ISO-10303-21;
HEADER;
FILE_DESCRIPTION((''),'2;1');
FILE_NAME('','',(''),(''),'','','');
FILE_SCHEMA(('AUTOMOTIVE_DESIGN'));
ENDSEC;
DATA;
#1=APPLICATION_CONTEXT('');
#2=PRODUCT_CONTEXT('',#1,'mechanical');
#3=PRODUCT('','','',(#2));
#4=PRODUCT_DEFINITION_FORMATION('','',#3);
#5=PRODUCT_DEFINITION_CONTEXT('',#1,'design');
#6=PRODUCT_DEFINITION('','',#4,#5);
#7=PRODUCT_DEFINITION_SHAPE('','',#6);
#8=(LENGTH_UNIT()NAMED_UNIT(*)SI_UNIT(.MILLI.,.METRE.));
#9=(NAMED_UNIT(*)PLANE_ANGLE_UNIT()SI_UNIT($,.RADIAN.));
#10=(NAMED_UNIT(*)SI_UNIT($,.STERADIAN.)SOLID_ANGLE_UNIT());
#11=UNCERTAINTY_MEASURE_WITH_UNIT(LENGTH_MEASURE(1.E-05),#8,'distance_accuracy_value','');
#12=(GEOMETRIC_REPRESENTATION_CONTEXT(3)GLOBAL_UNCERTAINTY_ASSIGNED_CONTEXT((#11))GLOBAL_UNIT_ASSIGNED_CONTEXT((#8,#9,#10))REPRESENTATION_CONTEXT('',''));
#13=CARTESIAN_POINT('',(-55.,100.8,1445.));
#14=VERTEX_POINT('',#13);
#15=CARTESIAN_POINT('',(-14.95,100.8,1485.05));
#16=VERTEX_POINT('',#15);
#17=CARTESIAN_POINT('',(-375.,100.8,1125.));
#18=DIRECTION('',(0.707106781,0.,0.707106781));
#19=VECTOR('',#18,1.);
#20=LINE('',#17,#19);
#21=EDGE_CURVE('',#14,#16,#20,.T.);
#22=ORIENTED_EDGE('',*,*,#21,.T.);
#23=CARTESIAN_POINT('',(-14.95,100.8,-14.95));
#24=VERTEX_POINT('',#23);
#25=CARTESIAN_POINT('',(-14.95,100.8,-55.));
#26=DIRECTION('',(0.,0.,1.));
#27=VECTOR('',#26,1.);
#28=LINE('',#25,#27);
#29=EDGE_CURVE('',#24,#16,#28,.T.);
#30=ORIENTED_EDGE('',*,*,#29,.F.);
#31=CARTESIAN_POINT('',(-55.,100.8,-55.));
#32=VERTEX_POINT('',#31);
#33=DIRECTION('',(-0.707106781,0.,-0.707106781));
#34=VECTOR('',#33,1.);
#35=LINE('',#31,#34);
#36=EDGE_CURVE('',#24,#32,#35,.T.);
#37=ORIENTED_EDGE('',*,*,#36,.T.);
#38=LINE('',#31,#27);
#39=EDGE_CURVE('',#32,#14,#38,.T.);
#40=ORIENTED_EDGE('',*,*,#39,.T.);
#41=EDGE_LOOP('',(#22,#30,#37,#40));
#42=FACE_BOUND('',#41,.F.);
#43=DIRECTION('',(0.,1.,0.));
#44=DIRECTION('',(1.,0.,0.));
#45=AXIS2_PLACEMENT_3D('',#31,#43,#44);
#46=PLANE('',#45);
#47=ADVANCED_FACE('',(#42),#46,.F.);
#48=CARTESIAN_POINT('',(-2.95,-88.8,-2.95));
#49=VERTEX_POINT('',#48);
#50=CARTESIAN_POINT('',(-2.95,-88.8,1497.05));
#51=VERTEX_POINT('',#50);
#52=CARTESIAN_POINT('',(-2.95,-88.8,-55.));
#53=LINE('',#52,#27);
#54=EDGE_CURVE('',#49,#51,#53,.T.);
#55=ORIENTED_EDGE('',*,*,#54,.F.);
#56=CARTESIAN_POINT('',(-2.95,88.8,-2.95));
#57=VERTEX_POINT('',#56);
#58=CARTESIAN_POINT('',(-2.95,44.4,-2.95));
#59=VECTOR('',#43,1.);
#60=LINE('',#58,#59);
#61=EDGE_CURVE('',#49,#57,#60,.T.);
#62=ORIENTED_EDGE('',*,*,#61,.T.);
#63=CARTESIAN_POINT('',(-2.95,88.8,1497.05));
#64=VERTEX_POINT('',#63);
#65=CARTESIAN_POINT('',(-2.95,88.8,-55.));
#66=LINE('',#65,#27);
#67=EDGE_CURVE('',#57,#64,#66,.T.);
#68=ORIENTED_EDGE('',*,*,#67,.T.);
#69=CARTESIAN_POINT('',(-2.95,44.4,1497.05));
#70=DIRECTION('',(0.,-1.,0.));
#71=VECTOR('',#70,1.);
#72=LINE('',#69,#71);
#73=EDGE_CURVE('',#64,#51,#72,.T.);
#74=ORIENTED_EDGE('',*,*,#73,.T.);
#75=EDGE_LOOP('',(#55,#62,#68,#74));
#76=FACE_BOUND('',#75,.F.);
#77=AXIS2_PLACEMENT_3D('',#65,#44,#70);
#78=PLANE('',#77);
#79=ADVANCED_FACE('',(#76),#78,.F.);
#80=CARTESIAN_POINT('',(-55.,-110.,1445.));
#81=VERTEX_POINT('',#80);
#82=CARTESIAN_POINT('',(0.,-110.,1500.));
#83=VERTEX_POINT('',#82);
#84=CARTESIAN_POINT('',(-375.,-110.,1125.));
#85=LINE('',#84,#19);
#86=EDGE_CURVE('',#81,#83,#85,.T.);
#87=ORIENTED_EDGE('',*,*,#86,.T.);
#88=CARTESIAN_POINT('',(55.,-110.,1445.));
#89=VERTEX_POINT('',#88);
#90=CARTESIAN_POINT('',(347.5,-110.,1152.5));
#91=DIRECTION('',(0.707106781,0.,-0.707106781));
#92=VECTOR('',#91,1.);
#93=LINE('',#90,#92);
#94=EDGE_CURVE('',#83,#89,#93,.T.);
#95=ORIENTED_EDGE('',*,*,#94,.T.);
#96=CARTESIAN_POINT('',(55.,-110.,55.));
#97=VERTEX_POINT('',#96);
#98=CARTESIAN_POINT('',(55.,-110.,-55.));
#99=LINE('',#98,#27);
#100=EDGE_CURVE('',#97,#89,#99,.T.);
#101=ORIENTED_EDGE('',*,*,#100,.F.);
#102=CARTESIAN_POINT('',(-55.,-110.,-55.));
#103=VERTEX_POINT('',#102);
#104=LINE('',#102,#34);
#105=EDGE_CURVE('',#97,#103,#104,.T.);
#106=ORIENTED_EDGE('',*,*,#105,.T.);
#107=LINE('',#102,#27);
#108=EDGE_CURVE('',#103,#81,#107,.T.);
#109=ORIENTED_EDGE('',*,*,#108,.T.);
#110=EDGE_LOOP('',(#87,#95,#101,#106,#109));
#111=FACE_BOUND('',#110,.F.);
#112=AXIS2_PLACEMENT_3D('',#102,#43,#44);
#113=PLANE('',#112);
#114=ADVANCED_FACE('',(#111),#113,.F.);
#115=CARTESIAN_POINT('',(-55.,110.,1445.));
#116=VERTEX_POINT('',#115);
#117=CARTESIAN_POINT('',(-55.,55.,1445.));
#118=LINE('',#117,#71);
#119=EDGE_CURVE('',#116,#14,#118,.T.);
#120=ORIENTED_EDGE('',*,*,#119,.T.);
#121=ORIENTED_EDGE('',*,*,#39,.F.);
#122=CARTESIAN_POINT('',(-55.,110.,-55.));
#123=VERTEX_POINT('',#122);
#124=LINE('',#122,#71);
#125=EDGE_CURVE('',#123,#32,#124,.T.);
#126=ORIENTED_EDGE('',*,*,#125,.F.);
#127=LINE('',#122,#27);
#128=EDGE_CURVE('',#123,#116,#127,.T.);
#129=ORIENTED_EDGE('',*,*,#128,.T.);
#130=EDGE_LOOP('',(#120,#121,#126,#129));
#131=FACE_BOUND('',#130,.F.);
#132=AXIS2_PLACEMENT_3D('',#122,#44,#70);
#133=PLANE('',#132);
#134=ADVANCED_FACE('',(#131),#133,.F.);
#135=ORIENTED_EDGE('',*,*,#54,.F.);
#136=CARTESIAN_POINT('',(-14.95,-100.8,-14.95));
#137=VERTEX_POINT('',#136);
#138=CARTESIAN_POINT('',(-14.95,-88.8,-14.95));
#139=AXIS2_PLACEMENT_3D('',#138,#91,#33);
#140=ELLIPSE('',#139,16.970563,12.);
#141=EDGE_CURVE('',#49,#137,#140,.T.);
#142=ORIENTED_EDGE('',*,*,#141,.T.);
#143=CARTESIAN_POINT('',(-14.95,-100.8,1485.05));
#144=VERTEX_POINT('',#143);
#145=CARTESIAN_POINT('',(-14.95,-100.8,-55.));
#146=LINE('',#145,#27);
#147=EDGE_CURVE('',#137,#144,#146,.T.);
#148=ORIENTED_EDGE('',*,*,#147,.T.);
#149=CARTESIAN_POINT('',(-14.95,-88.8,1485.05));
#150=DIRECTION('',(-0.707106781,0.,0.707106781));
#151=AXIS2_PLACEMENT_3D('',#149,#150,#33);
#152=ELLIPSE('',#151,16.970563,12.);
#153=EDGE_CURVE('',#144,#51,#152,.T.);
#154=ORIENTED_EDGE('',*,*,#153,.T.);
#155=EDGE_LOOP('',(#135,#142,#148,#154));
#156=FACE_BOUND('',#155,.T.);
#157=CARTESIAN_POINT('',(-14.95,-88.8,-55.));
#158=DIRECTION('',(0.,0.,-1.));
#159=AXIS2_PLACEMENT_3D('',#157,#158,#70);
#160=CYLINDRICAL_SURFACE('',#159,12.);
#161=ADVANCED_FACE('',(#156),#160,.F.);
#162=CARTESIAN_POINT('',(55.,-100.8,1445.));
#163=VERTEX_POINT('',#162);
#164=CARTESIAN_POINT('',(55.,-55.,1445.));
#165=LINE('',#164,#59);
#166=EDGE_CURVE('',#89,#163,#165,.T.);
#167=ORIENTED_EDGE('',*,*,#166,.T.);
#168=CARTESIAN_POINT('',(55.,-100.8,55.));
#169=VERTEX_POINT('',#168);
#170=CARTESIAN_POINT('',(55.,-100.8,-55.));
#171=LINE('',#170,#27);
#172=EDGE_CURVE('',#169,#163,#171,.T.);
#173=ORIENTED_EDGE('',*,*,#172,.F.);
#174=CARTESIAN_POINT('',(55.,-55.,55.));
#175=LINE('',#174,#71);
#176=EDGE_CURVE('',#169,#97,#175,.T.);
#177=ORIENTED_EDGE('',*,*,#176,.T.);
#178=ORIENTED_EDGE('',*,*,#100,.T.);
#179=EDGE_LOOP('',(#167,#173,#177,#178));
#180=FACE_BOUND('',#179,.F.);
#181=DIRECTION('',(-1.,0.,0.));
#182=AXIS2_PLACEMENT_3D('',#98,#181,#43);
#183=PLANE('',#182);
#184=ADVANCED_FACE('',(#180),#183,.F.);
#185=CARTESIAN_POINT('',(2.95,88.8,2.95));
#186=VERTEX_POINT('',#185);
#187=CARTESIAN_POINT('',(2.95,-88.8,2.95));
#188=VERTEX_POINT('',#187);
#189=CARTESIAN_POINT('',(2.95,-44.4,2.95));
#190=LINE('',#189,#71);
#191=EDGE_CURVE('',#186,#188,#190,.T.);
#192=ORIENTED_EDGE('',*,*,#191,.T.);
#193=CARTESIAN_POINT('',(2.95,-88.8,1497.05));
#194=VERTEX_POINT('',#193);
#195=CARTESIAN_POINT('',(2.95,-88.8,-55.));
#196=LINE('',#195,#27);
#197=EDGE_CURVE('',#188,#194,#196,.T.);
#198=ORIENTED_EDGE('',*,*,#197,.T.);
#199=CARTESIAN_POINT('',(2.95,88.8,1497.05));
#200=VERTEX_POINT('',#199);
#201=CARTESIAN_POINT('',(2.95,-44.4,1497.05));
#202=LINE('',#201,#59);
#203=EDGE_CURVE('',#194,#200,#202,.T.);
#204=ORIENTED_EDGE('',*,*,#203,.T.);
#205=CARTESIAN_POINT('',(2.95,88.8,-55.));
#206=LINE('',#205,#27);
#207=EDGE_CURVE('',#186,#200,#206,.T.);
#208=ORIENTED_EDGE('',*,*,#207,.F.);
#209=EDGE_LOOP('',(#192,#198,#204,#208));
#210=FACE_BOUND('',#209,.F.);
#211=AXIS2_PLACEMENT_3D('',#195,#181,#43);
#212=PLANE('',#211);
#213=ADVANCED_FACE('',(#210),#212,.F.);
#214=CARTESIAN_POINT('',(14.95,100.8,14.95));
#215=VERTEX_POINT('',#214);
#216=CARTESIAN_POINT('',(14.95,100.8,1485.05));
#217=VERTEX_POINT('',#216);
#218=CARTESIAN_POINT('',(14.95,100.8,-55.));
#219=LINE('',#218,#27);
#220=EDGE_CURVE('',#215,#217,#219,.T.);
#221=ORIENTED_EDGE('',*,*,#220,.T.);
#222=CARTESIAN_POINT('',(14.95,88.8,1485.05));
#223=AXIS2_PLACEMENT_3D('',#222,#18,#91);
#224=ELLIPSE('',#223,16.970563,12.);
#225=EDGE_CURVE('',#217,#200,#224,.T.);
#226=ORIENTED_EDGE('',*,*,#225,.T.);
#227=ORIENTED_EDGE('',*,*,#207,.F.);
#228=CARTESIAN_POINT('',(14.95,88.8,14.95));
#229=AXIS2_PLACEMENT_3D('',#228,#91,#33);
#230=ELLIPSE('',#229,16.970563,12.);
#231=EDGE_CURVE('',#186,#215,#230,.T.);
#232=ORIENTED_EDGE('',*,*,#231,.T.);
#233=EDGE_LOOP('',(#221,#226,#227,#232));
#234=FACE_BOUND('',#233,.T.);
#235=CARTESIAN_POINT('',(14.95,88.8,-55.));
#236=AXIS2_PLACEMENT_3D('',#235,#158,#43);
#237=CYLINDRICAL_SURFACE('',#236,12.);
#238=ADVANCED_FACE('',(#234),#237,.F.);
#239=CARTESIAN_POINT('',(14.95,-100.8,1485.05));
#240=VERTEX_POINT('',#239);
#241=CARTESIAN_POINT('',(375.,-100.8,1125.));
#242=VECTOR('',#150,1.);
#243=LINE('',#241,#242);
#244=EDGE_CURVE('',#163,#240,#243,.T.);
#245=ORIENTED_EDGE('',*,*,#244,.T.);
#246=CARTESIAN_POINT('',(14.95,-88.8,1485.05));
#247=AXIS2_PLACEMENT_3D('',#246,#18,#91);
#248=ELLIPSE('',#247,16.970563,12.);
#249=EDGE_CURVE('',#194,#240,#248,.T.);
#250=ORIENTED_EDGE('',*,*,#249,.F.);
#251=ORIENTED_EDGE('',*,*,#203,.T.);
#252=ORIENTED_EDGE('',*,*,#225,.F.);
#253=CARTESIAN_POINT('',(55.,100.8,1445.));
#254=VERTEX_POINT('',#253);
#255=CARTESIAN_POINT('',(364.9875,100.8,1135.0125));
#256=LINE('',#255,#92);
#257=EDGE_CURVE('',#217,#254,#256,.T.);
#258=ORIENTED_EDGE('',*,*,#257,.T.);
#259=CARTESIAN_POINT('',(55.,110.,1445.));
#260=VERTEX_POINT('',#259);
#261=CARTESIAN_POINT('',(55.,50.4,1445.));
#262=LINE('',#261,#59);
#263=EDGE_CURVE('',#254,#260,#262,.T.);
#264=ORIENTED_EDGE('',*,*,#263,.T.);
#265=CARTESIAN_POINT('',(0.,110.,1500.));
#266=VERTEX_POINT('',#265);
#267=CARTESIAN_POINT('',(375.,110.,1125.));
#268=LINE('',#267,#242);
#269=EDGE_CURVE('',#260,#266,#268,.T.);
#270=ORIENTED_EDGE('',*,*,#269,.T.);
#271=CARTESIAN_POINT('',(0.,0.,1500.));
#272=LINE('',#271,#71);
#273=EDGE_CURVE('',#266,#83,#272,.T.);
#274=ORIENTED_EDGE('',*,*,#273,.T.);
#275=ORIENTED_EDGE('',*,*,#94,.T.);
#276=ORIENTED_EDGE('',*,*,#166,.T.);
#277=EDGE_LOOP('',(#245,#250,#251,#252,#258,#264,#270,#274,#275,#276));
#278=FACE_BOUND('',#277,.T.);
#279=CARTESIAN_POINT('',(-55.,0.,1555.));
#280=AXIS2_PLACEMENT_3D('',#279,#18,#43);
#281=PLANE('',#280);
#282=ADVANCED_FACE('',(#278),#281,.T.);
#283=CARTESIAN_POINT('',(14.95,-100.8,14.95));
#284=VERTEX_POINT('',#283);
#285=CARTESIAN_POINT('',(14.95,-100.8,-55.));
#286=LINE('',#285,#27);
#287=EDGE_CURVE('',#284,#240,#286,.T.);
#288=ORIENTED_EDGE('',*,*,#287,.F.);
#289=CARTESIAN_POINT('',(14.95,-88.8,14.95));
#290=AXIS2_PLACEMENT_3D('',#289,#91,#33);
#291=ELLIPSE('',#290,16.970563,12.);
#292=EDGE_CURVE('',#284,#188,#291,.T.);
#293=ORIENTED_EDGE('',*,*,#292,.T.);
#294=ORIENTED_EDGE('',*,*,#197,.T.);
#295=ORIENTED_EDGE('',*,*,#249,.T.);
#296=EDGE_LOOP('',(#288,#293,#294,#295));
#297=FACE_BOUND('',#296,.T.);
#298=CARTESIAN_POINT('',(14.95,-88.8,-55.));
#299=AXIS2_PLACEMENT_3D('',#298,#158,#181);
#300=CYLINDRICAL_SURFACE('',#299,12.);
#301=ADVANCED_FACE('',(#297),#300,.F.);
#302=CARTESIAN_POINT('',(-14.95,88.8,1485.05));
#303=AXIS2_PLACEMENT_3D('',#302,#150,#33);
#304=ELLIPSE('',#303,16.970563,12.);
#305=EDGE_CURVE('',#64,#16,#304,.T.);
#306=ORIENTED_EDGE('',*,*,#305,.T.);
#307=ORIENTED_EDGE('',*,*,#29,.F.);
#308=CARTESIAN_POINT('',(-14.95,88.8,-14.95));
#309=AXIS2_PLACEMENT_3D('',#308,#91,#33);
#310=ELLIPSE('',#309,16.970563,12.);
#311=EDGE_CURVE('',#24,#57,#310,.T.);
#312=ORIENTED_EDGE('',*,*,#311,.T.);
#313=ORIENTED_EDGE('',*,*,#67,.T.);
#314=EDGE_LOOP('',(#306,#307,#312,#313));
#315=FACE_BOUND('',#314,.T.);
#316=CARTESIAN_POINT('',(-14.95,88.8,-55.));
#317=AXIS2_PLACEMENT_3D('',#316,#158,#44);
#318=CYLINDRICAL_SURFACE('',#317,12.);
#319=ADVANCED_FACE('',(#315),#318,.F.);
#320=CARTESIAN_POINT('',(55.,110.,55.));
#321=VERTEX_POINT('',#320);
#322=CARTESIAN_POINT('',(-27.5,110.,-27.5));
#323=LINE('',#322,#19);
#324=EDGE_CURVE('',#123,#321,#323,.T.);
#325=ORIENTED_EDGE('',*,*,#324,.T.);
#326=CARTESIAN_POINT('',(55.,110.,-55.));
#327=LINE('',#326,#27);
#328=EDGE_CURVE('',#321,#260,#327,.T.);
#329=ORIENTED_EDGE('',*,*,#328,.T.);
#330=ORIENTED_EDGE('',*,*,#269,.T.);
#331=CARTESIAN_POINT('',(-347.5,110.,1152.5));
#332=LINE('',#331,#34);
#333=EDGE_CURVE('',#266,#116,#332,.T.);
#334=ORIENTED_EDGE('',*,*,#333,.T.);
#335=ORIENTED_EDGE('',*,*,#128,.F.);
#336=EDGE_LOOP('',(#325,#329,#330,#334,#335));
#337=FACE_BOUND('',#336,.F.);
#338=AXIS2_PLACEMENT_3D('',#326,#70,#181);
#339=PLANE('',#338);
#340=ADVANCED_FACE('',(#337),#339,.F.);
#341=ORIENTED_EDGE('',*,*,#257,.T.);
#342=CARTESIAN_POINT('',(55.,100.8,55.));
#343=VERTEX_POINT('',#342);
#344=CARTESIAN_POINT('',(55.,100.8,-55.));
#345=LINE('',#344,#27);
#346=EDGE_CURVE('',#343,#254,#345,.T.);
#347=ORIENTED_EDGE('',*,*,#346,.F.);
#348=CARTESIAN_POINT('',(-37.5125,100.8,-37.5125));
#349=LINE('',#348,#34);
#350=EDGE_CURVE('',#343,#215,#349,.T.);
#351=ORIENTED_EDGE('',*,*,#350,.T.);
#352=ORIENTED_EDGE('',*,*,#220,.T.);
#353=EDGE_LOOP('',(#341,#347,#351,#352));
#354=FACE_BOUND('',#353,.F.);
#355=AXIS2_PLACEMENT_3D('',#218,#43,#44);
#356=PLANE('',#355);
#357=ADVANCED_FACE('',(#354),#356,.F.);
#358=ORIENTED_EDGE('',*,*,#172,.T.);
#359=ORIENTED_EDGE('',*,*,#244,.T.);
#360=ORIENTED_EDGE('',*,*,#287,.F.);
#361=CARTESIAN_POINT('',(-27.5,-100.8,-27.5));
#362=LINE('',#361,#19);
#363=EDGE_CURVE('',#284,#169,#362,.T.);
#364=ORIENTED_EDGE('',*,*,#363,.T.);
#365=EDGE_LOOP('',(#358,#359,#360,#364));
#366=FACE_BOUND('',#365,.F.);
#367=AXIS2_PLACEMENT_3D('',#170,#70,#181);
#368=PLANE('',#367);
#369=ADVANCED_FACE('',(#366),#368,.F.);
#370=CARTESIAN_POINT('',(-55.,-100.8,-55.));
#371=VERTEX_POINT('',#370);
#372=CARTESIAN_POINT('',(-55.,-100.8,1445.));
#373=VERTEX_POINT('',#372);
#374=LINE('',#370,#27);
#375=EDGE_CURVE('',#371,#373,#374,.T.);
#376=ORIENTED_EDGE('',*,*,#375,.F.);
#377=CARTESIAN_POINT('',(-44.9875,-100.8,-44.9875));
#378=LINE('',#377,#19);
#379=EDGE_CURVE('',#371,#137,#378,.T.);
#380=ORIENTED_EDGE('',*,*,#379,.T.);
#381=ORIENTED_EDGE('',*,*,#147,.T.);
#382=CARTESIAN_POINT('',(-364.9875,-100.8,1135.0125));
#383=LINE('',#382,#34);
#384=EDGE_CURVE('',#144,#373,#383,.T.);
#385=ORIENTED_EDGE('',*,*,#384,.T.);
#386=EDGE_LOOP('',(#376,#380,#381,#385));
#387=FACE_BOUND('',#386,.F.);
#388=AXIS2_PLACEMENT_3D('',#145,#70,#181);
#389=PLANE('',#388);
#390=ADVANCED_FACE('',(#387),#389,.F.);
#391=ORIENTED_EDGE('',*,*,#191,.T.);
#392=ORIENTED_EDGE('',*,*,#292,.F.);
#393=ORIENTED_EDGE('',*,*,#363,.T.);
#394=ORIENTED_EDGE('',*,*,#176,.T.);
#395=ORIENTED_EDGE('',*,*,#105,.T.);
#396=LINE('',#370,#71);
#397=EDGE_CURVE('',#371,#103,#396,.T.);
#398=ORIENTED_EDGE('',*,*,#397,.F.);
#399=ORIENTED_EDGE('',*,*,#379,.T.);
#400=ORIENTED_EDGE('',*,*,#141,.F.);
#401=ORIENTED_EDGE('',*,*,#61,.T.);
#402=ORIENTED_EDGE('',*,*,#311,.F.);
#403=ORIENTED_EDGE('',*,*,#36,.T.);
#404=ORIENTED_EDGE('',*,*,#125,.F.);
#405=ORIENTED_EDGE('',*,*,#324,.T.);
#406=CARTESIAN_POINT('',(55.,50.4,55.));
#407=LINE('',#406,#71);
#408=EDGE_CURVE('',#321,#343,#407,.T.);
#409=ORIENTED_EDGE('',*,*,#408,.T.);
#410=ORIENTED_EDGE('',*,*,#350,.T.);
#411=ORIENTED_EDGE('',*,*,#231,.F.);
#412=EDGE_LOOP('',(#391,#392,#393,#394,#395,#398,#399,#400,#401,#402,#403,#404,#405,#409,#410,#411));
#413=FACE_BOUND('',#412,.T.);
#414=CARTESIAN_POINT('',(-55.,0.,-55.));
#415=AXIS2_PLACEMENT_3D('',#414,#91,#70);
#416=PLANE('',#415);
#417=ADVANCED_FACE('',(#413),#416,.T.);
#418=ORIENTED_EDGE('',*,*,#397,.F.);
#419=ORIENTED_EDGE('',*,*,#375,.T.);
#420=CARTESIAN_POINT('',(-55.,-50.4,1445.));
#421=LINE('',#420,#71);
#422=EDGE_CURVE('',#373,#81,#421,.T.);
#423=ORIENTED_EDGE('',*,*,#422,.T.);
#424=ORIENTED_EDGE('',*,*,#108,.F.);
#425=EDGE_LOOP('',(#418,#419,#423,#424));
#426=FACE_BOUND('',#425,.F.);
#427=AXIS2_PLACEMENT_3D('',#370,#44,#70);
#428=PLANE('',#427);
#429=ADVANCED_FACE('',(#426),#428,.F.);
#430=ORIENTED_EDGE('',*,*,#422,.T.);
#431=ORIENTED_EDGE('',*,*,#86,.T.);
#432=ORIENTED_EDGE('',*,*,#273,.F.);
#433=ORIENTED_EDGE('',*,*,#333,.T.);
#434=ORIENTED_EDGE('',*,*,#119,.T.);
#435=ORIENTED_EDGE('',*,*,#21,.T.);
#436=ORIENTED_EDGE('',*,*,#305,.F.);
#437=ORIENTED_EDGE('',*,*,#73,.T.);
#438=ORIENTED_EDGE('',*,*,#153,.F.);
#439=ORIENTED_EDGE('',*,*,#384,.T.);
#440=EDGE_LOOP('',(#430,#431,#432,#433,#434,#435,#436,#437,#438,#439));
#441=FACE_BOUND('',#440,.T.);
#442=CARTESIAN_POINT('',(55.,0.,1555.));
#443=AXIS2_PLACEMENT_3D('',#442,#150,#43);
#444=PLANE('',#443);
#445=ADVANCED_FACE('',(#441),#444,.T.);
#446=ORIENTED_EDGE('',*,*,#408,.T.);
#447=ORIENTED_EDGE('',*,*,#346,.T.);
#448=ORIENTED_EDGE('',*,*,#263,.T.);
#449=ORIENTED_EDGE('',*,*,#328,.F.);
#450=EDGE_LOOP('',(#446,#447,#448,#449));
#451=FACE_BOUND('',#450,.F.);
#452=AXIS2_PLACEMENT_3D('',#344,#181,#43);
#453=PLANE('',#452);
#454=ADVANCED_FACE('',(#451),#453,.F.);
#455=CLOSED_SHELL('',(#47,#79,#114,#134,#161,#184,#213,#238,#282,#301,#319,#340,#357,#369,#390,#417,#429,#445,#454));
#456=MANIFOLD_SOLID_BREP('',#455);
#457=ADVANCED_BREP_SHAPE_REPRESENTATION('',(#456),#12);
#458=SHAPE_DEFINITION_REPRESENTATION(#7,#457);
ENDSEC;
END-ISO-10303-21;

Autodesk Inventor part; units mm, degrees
ref_plane "Start plane" through (0, 0, -55) normal (0, 0, 1) x (1, 0, 0)
ref_plane "End plane" through (0, 0, 1500) normal (0, 0, 1) x (1, 0, 0)
sketch "Sketch2" plane through (0, 0, 0) normal (0, 0, 1) x (1, 0, 0)
  line L0 (-55, 100.8) -> (-14.95, 100.8)
  line L1 (-55, 110) -> (-55, 100.8)
  line L2 (55, 110) -> (-55, 110)
  line L3 (55, 100.8) -> (55, 110)
  line L4 (14.95, 100.8) -> (55, 100.8)
  line L5 (2.95, -88.8) -> (2.95, 88.8)
  line L6 (55, -100.8) -> (14.95, -100.8)
  line L7 (55, -110) -> (55, -100.8)
  line L8 (-55, -100.8) -> (-55, -110)
  line L9 (-14.95, -100.8) -> (-55, -100.8)
  line L10 (-2.95, 88.8) -> (-2.95, -88.8)
  line L11 (0, -154) -> (0, 154) construction
  line L12 (-2.95, -100.8) -> (2.95, -100.8) construction
  arc A0 (-14.95, -100.8) -> (-2.95, -88.8) centre (-14.95, -88.8) ccw
  arc A1 (-2.95, 88.8) -> (-14.95, 100.8) centre (-14.95, 88.8) ccw
  arc A2 (14.95, 100.8) -> (2.95, 88.8) centre (14.95, 88.8) ccw
  arc A3 (2.95, -88.8) -> (14.95, -100.8) centre (14.95, -88.8) ccw
  line L13 (-77, 0) -> (77, 0) construction
  line L14 (-55, -110) -> (55, -110)
  point P0 (-2.95, 100.8)
  point P1 (2.95, 100.8)
  point P2 (0, 0)
  point P3 (0, -100.8)
  point P4 (0, 0)
  dimension "d1" = 220
  dimension "d3" = 9.2
  dimension "d5" = 5.9
  dimension "d7" = 110
  dimension "d13" = 12
  dimension "d14" = 110
  dimension "d15" = 55
extrude "Body" add sketch "Sketch2" along normal up to surface (1555 mm away) from surface at -55
sketch "Sketch3" plane through (0, 0, 0) normal (0, 0, 1) x (1, 0, 0)
  line L0 (0, 0) -> (10, 0)
ref_plane "Work Plane3" through (0, 0, 0) normal (0, -1, 0) x (1, 0, 0)
ref_plane "Work Plane4" through (55, 0, 1555) normal (-0.7071, 0, 0.7071) x (0.7071, 0, 0.7071)
split "Split1" plane through (55, 0, 1555) removes the side toward (-0.7071, 0, 0.7071)
ref_plane "Work Plane5" through (-55, 0, 1555) normal (0.7071, 0, 0.7071) x (0.7071, 0, -0.7071)
split "Split2" plane through (-55, 0, 1555) removes the side toward (0.7071, 0, 0.7071)
ref_plane "Work Plane6" through (-55, 0, -55) normal (0.7071, 0, -0.7071) x (-0.7071, 0, -0.7071)
split "Split3" plane through (-55, 0, -55) removes the side toward (0.7071, 0, -0.7071)
sketch "Sketch4" plane through (0, 0, 0) normal (0, -1, 0) x (1, 0, 0)
  line L0 (-2, -55) -> (12, -55) projected
  line L1 (-2, 1500) -> (12, 1500) projected
  dimension "d19" = 1555
equation "\"d1\" = ParH"
equation "\"d3\" = t2"
equation "\"d5\" = t1"
equation "\"d7\" = b"
equation "\"d13\" = R1"
equation "\"d14\" = 0.5 * d1"
equation "\"d15\" = 0.5 * d7"
equation "\"d8\" = G_L"
equation "\"b\" = 110"
equation "\"ParH\" = 220"
equation "\"R1\" = 12"
equation "\"G_L\" = d19"
equation "\"t1\" = 5.9"
equation "\"t2\" = 9.2"
equation "\"G_OFFSET_START\" = 55"
equation "\"G_OFFSET_END\" = 0"
equation "\"d16\" = -G_OFFSET_START"
properties part number "DIN 1025 - IPE 220-1555" material "Steel, Mild"
